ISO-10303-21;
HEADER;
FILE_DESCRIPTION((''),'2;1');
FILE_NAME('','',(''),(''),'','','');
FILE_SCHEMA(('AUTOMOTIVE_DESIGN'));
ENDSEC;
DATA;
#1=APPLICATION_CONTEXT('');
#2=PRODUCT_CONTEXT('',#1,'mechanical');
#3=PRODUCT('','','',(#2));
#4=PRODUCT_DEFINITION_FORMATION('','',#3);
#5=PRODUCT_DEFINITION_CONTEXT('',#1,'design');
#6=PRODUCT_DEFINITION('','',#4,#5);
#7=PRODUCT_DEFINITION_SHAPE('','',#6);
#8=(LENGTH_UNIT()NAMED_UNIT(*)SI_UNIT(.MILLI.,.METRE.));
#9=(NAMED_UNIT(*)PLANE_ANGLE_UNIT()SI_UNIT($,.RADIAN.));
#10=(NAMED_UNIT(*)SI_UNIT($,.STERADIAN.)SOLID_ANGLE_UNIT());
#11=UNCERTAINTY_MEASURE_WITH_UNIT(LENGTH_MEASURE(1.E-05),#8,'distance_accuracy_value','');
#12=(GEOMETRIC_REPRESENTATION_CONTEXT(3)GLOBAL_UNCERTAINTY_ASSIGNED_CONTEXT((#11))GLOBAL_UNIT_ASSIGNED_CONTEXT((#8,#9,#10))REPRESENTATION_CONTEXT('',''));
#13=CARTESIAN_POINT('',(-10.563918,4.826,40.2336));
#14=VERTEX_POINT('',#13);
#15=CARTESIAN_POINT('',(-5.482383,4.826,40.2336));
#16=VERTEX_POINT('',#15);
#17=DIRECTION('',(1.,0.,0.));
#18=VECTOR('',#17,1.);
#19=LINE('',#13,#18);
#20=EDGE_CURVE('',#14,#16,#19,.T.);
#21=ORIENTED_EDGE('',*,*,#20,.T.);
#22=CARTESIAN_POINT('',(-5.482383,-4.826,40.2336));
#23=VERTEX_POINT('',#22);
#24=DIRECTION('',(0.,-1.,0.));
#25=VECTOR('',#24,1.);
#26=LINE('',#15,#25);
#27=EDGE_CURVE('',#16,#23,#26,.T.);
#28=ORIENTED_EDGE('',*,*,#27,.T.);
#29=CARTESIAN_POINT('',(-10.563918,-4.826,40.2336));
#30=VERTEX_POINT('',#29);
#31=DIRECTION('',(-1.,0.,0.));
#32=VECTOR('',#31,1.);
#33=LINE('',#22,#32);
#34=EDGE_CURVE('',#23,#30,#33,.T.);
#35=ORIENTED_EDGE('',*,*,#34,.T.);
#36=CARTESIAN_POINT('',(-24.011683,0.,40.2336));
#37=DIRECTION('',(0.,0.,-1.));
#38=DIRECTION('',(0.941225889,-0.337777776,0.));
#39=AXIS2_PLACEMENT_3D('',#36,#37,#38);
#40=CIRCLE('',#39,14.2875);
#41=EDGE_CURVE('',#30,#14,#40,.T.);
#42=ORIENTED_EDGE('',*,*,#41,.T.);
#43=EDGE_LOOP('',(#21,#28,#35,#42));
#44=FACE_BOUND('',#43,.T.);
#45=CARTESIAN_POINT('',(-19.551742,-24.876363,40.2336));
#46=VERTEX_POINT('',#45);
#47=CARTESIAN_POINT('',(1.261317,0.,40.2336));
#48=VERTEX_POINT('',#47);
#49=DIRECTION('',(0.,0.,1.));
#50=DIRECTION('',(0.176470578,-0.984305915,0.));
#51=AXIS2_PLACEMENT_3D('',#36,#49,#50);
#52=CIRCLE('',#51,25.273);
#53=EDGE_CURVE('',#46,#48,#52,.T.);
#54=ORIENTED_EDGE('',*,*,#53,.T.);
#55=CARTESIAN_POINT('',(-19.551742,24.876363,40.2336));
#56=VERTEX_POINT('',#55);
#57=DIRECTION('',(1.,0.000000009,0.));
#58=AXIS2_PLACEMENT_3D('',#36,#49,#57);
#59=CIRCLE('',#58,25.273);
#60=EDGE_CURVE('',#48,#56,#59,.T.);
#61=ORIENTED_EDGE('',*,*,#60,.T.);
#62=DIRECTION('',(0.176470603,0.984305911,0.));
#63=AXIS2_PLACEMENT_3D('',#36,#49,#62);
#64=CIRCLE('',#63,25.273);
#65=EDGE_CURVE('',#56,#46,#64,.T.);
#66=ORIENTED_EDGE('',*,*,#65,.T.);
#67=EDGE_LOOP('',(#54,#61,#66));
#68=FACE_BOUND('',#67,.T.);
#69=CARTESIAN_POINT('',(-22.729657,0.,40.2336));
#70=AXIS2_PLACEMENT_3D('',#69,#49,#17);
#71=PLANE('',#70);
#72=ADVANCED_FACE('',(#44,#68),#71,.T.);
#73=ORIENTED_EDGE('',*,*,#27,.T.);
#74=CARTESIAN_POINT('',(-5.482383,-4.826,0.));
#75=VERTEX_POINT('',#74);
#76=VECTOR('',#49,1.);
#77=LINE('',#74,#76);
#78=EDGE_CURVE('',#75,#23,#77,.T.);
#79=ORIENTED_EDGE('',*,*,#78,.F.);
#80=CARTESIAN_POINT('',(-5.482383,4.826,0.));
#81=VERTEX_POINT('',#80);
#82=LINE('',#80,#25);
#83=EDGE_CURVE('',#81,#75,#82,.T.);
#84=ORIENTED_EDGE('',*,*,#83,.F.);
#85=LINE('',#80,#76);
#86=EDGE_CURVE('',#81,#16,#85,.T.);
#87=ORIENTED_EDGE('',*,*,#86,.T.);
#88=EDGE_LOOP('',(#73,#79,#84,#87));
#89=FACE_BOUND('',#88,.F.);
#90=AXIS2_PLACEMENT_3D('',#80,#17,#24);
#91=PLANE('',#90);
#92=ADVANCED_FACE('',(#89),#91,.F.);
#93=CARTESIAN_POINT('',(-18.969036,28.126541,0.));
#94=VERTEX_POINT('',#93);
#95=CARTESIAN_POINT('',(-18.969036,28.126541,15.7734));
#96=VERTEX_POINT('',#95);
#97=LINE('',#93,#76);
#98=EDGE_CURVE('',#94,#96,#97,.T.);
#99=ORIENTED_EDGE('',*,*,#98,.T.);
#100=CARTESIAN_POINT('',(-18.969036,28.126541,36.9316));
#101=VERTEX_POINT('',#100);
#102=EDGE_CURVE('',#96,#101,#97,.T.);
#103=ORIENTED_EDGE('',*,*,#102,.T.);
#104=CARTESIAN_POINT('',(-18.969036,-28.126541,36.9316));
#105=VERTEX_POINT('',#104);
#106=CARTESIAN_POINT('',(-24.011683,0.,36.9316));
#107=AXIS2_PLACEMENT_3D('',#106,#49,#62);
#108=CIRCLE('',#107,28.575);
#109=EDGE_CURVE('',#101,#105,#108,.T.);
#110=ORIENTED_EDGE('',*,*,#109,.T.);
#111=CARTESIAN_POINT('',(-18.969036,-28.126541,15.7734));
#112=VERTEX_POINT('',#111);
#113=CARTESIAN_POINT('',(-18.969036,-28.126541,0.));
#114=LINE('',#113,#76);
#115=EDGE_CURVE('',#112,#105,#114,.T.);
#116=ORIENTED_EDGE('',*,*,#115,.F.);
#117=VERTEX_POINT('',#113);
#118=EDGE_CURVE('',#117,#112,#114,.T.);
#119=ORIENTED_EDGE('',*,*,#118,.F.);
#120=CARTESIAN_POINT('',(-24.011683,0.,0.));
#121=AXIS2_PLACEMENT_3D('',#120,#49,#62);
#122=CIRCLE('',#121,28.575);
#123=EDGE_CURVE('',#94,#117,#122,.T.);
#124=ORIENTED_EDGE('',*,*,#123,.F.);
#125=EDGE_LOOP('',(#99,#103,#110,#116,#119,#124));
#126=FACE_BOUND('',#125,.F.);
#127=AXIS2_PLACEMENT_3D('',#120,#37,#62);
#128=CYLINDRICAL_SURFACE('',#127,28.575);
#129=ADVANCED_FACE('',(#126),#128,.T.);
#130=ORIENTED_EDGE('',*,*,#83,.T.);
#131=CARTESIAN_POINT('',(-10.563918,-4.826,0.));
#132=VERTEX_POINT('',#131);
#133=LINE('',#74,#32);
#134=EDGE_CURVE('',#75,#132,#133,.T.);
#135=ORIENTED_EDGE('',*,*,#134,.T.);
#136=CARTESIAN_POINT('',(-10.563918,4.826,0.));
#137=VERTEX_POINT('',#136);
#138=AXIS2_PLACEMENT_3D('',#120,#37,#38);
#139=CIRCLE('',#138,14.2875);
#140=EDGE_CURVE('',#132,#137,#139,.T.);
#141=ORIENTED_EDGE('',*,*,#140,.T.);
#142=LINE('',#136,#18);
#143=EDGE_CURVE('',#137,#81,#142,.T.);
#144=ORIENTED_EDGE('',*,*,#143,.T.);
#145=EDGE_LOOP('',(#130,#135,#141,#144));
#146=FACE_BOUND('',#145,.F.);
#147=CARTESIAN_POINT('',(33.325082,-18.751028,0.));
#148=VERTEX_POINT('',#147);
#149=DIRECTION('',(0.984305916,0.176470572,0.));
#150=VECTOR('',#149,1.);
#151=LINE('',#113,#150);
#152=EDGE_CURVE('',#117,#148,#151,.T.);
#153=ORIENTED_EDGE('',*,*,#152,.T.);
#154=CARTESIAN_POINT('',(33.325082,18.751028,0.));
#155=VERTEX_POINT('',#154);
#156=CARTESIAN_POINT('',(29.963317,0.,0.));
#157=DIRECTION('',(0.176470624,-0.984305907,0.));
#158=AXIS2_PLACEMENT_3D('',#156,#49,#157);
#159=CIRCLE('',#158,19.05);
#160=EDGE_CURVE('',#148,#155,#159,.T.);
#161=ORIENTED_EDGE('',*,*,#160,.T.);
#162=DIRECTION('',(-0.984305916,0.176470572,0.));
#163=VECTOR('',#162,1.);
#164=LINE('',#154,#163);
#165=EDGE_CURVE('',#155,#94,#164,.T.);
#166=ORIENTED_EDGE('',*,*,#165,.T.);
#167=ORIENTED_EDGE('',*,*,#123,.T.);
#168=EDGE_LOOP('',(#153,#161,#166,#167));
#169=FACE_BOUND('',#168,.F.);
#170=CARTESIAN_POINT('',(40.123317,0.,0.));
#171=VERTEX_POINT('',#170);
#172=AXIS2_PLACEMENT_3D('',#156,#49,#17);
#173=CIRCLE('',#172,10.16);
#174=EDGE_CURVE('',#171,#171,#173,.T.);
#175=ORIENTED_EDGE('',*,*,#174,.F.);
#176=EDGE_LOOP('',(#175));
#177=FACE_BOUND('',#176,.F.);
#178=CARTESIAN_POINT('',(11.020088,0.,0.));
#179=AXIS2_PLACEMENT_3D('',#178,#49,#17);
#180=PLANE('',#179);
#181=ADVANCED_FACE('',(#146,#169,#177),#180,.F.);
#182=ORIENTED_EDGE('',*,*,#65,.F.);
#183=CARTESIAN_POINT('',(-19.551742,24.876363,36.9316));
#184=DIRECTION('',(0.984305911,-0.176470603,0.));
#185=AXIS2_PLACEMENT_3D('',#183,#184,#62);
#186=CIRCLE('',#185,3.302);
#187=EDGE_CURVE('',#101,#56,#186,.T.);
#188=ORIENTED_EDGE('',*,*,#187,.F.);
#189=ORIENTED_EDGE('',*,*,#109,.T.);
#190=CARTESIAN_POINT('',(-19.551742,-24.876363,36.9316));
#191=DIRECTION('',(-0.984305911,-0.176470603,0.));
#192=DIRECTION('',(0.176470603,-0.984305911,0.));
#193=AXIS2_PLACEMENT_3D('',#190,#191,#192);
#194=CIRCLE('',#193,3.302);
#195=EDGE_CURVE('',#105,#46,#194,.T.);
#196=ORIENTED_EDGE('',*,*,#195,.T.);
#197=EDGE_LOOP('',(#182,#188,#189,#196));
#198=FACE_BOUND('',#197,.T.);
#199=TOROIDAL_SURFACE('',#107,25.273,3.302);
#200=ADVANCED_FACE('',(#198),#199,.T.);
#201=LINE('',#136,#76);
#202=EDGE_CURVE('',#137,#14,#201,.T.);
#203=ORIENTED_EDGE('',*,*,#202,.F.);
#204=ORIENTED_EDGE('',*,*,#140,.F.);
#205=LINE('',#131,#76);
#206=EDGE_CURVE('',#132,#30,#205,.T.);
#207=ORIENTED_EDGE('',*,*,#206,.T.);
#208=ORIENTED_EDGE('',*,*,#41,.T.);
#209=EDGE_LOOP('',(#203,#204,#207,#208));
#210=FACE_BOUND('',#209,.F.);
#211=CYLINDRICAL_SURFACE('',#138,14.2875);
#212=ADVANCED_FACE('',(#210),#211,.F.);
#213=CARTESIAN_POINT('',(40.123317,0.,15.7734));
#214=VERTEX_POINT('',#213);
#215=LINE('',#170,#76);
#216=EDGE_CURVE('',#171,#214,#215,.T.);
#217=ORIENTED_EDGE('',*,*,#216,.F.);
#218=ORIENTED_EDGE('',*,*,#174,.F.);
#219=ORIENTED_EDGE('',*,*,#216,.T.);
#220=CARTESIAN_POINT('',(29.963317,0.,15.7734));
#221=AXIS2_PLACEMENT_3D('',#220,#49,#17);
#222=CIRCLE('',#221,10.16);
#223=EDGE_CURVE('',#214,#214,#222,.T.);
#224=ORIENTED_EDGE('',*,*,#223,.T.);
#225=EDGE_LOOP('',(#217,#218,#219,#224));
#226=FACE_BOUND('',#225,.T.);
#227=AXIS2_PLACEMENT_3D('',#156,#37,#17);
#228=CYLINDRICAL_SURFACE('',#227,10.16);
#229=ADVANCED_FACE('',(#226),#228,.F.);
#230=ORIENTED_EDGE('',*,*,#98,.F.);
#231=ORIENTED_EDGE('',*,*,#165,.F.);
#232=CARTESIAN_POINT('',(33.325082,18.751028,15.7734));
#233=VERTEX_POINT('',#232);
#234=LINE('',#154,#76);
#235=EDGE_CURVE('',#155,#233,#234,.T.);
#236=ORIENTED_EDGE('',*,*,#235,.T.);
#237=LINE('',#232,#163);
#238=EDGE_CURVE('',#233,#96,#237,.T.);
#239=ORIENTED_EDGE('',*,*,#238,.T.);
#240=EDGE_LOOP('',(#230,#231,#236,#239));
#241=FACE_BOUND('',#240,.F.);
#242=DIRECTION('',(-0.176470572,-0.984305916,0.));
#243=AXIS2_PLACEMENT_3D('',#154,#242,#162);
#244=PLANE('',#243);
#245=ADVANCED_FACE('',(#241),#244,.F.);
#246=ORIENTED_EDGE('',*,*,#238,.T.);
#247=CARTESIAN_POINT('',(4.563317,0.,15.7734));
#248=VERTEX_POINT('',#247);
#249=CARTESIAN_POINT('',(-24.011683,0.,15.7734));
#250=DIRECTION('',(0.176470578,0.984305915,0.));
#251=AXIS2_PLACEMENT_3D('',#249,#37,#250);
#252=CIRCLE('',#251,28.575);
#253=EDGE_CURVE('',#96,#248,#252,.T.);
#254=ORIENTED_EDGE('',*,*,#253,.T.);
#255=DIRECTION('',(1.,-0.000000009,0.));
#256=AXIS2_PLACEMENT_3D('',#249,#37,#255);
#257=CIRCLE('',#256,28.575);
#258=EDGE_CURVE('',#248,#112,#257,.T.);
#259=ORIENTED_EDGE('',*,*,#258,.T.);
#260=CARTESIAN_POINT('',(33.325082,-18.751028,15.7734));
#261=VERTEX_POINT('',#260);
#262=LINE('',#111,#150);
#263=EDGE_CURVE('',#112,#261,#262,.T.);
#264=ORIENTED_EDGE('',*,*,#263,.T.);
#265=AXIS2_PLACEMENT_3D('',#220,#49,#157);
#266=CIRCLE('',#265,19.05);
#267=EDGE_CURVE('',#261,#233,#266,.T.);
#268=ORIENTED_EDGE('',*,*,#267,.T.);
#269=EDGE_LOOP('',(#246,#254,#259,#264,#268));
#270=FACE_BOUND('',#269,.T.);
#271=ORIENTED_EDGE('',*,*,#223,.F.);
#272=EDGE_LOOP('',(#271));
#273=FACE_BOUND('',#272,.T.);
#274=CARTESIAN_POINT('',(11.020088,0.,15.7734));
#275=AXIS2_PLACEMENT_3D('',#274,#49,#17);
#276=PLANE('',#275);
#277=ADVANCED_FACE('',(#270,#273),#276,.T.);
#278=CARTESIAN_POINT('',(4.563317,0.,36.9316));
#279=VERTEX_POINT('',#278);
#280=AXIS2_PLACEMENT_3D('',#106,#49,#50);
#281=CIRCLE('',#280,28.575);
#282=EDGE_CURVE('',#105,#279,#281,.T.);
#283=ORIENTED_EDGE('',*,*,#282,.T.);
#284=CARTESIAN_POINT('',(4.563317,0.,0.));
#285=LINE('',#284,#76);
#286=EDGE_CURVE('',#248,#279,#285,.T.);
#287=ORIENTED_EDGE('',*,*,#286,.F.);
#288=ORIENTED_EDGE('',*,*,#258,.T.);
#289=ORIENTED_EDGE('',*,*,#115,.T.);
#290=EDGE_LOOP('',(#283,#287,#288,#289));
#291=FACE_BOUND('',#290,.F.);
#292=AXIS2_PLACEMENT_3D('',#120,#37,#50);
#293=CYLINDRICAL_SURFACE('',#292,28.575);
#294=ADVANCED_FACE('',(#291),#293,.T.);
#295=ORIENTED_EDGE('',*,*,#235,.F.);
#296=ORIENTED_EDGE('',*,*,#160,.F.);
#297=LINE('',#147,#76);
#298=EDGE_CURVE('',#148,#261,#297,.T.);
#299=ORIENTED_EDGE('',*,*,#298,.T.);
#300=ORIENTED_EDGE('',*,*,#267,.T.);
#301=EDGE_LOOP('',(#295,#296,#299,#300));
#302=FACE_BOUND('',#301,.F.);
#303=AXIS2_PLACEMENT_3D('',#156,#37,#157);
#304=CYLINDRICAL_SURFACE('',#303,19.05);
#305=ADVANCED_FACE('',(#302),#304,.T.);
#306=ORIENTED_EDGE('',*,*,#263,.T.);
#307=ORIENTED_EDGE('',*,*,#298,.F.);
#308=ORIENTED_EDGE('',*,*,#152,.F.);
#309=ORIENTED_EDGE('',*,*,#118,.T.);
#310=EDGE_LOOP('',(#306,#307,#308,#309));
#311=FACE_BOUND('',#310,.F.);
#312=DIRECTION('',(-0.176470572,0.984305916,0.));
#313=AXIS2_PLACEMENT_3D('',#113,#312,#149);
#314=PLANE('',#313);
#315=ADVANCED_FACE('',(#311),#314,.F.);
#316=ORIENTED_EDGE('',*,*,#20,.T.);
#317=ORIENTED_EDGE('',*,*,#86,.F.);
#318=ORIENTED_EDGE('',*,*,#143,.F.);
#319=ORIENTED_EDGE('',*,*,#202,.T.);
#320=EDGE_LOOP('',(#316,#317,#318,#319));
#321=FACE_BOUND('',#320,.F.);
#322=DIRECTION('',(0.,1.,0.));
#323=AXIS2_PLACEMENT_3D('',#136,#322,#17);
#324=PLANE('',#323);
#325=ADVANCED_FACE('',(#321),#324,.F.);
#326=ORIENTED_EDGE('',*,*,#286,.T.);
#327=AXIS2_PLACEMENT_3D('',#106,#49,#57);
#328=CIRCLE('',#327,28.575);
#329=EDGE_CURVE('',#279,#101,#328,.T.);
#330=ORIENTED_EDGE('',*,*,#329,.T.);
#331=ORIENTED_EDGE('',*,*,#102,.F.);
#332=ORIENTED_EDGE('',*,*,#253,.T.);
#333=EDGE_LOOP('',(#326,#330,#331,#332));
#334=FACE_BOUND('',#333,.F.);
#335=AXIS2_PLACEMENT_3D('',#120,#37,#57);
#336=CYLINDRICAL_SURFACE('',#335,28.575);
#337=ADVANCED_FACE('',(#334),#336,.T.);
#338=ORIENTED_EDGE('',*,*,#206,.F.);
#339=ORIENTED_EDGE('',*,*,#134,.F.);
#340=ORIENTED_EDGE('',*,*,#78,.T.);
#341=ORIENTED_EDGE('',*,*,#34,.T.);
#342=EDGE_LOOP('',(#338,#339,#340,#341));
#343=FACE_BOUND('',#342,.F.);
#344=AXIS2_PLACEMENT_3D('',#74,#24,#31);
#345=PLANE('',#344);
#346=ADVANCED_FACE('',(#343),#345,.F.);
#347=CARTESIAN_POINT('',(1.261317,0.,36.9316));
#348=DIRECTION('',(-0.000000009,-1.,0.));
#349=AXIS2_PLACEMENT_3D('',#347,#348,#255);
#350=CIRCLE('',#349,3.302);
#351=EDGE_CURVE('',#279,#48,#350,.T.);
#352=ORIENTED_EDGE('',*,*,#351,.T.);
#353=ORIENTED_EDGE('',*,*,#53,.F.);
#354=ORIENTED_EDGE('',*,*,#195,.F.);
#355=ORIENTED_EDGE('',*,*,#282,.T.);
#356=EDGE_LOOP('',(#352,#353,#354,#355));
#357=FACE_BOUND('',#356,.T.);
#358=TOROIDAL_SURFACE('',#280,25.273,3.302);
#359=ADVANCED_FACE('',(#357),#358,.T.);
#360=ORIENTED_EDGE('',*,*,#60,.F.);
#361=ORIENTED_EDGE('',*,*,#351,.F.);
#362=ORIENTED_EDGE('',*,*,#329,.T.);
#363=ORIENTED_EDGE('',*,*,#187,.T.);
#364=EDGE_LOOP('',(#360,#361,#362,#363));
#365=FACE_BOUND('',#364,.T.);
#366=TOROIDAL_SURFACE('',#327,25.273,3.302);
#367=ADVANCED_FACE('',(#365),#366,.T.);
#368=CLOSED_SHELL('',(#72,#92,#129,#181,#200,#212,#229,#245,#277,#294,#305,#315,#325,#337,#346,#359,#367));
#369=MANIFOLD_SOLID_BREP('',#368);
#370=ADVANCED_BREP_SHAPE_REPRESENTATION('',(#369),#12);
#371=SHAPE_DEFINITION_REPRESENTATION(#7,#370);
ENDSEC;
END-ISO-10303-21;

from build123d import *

# Parameters (mm, degrees)
F1_DEPTH = 40.2336
F0_R     = 10.16
F2_DEPTH = 15.7734
F3_R     = 3.302


with BuildPart() as f1:
    # F0 (on Top) → F1 (new body)
    with BuildSketch(Plane.XY):
        with BuildLine():
            ThreePointArc((-18.969036, 28.126541), (-52.586683, 0), (-18.969036, -28.126541))
            ThreePointArc((-18.969036, -28.126541), (-2.095659, -18.336262), (4.563317, 0))
            ThreePointArc((4.563317, 0), (-2.095659, 18.336262), (-18.969036, 28.126541))
        make_face()
        with BuildLine():
            ThreePointArc((-10.563918, -4.826), (-38.299183, 0), (-10.563918, 4.826))
            Line((-10.563918, 4.826), (-5.482383, 4.826))
            Line((-5.482383, 4.826), (-5.482383, 0))
            Line((-5.482383, 0), (-5.482383, -4.826))
            Line((-5.482383, -4.826), (-10.563918, -4.826))
        make_face(mode=Mode.SUBTRACT)
    extrude(amount=F1_DEPTH)

    # F0 (on Top) → F2 (join)
    with BuildSketch(Plane.XY):
        with BuildLine():
            Line((-18.969036, -28.126541), (33.325082, -18.751028))
            ThreePointArc((33.325082, -18.751028), (49.013317, 0), (33.325082, 18.751028))
            Line((33.325082, 18.751028), (-18.969036, 28.126541))
            ThreePointArc((-18.969036, 28.126541), (-2.095659, 18.336262), (4.563317, 0))
            ThreePointArc((4.563317, 0), (-2.095659, -18.336262), (-18.969036, -28.126541))
        make_face()
        with Locations((29.963317, 0)):
            Circle(F0_R, mode=Mode.SUBTRACT)
    extrude(amount=F2_DEPTH)

    # F3
    f3_edges = [f1.edges().sort_by_distance(p)[0] for p in [
        (-29.05433, 28.126541, 40.2336),
    ]]
    fillet(f3_edges, radius=F3_R)


solid = f1.part
